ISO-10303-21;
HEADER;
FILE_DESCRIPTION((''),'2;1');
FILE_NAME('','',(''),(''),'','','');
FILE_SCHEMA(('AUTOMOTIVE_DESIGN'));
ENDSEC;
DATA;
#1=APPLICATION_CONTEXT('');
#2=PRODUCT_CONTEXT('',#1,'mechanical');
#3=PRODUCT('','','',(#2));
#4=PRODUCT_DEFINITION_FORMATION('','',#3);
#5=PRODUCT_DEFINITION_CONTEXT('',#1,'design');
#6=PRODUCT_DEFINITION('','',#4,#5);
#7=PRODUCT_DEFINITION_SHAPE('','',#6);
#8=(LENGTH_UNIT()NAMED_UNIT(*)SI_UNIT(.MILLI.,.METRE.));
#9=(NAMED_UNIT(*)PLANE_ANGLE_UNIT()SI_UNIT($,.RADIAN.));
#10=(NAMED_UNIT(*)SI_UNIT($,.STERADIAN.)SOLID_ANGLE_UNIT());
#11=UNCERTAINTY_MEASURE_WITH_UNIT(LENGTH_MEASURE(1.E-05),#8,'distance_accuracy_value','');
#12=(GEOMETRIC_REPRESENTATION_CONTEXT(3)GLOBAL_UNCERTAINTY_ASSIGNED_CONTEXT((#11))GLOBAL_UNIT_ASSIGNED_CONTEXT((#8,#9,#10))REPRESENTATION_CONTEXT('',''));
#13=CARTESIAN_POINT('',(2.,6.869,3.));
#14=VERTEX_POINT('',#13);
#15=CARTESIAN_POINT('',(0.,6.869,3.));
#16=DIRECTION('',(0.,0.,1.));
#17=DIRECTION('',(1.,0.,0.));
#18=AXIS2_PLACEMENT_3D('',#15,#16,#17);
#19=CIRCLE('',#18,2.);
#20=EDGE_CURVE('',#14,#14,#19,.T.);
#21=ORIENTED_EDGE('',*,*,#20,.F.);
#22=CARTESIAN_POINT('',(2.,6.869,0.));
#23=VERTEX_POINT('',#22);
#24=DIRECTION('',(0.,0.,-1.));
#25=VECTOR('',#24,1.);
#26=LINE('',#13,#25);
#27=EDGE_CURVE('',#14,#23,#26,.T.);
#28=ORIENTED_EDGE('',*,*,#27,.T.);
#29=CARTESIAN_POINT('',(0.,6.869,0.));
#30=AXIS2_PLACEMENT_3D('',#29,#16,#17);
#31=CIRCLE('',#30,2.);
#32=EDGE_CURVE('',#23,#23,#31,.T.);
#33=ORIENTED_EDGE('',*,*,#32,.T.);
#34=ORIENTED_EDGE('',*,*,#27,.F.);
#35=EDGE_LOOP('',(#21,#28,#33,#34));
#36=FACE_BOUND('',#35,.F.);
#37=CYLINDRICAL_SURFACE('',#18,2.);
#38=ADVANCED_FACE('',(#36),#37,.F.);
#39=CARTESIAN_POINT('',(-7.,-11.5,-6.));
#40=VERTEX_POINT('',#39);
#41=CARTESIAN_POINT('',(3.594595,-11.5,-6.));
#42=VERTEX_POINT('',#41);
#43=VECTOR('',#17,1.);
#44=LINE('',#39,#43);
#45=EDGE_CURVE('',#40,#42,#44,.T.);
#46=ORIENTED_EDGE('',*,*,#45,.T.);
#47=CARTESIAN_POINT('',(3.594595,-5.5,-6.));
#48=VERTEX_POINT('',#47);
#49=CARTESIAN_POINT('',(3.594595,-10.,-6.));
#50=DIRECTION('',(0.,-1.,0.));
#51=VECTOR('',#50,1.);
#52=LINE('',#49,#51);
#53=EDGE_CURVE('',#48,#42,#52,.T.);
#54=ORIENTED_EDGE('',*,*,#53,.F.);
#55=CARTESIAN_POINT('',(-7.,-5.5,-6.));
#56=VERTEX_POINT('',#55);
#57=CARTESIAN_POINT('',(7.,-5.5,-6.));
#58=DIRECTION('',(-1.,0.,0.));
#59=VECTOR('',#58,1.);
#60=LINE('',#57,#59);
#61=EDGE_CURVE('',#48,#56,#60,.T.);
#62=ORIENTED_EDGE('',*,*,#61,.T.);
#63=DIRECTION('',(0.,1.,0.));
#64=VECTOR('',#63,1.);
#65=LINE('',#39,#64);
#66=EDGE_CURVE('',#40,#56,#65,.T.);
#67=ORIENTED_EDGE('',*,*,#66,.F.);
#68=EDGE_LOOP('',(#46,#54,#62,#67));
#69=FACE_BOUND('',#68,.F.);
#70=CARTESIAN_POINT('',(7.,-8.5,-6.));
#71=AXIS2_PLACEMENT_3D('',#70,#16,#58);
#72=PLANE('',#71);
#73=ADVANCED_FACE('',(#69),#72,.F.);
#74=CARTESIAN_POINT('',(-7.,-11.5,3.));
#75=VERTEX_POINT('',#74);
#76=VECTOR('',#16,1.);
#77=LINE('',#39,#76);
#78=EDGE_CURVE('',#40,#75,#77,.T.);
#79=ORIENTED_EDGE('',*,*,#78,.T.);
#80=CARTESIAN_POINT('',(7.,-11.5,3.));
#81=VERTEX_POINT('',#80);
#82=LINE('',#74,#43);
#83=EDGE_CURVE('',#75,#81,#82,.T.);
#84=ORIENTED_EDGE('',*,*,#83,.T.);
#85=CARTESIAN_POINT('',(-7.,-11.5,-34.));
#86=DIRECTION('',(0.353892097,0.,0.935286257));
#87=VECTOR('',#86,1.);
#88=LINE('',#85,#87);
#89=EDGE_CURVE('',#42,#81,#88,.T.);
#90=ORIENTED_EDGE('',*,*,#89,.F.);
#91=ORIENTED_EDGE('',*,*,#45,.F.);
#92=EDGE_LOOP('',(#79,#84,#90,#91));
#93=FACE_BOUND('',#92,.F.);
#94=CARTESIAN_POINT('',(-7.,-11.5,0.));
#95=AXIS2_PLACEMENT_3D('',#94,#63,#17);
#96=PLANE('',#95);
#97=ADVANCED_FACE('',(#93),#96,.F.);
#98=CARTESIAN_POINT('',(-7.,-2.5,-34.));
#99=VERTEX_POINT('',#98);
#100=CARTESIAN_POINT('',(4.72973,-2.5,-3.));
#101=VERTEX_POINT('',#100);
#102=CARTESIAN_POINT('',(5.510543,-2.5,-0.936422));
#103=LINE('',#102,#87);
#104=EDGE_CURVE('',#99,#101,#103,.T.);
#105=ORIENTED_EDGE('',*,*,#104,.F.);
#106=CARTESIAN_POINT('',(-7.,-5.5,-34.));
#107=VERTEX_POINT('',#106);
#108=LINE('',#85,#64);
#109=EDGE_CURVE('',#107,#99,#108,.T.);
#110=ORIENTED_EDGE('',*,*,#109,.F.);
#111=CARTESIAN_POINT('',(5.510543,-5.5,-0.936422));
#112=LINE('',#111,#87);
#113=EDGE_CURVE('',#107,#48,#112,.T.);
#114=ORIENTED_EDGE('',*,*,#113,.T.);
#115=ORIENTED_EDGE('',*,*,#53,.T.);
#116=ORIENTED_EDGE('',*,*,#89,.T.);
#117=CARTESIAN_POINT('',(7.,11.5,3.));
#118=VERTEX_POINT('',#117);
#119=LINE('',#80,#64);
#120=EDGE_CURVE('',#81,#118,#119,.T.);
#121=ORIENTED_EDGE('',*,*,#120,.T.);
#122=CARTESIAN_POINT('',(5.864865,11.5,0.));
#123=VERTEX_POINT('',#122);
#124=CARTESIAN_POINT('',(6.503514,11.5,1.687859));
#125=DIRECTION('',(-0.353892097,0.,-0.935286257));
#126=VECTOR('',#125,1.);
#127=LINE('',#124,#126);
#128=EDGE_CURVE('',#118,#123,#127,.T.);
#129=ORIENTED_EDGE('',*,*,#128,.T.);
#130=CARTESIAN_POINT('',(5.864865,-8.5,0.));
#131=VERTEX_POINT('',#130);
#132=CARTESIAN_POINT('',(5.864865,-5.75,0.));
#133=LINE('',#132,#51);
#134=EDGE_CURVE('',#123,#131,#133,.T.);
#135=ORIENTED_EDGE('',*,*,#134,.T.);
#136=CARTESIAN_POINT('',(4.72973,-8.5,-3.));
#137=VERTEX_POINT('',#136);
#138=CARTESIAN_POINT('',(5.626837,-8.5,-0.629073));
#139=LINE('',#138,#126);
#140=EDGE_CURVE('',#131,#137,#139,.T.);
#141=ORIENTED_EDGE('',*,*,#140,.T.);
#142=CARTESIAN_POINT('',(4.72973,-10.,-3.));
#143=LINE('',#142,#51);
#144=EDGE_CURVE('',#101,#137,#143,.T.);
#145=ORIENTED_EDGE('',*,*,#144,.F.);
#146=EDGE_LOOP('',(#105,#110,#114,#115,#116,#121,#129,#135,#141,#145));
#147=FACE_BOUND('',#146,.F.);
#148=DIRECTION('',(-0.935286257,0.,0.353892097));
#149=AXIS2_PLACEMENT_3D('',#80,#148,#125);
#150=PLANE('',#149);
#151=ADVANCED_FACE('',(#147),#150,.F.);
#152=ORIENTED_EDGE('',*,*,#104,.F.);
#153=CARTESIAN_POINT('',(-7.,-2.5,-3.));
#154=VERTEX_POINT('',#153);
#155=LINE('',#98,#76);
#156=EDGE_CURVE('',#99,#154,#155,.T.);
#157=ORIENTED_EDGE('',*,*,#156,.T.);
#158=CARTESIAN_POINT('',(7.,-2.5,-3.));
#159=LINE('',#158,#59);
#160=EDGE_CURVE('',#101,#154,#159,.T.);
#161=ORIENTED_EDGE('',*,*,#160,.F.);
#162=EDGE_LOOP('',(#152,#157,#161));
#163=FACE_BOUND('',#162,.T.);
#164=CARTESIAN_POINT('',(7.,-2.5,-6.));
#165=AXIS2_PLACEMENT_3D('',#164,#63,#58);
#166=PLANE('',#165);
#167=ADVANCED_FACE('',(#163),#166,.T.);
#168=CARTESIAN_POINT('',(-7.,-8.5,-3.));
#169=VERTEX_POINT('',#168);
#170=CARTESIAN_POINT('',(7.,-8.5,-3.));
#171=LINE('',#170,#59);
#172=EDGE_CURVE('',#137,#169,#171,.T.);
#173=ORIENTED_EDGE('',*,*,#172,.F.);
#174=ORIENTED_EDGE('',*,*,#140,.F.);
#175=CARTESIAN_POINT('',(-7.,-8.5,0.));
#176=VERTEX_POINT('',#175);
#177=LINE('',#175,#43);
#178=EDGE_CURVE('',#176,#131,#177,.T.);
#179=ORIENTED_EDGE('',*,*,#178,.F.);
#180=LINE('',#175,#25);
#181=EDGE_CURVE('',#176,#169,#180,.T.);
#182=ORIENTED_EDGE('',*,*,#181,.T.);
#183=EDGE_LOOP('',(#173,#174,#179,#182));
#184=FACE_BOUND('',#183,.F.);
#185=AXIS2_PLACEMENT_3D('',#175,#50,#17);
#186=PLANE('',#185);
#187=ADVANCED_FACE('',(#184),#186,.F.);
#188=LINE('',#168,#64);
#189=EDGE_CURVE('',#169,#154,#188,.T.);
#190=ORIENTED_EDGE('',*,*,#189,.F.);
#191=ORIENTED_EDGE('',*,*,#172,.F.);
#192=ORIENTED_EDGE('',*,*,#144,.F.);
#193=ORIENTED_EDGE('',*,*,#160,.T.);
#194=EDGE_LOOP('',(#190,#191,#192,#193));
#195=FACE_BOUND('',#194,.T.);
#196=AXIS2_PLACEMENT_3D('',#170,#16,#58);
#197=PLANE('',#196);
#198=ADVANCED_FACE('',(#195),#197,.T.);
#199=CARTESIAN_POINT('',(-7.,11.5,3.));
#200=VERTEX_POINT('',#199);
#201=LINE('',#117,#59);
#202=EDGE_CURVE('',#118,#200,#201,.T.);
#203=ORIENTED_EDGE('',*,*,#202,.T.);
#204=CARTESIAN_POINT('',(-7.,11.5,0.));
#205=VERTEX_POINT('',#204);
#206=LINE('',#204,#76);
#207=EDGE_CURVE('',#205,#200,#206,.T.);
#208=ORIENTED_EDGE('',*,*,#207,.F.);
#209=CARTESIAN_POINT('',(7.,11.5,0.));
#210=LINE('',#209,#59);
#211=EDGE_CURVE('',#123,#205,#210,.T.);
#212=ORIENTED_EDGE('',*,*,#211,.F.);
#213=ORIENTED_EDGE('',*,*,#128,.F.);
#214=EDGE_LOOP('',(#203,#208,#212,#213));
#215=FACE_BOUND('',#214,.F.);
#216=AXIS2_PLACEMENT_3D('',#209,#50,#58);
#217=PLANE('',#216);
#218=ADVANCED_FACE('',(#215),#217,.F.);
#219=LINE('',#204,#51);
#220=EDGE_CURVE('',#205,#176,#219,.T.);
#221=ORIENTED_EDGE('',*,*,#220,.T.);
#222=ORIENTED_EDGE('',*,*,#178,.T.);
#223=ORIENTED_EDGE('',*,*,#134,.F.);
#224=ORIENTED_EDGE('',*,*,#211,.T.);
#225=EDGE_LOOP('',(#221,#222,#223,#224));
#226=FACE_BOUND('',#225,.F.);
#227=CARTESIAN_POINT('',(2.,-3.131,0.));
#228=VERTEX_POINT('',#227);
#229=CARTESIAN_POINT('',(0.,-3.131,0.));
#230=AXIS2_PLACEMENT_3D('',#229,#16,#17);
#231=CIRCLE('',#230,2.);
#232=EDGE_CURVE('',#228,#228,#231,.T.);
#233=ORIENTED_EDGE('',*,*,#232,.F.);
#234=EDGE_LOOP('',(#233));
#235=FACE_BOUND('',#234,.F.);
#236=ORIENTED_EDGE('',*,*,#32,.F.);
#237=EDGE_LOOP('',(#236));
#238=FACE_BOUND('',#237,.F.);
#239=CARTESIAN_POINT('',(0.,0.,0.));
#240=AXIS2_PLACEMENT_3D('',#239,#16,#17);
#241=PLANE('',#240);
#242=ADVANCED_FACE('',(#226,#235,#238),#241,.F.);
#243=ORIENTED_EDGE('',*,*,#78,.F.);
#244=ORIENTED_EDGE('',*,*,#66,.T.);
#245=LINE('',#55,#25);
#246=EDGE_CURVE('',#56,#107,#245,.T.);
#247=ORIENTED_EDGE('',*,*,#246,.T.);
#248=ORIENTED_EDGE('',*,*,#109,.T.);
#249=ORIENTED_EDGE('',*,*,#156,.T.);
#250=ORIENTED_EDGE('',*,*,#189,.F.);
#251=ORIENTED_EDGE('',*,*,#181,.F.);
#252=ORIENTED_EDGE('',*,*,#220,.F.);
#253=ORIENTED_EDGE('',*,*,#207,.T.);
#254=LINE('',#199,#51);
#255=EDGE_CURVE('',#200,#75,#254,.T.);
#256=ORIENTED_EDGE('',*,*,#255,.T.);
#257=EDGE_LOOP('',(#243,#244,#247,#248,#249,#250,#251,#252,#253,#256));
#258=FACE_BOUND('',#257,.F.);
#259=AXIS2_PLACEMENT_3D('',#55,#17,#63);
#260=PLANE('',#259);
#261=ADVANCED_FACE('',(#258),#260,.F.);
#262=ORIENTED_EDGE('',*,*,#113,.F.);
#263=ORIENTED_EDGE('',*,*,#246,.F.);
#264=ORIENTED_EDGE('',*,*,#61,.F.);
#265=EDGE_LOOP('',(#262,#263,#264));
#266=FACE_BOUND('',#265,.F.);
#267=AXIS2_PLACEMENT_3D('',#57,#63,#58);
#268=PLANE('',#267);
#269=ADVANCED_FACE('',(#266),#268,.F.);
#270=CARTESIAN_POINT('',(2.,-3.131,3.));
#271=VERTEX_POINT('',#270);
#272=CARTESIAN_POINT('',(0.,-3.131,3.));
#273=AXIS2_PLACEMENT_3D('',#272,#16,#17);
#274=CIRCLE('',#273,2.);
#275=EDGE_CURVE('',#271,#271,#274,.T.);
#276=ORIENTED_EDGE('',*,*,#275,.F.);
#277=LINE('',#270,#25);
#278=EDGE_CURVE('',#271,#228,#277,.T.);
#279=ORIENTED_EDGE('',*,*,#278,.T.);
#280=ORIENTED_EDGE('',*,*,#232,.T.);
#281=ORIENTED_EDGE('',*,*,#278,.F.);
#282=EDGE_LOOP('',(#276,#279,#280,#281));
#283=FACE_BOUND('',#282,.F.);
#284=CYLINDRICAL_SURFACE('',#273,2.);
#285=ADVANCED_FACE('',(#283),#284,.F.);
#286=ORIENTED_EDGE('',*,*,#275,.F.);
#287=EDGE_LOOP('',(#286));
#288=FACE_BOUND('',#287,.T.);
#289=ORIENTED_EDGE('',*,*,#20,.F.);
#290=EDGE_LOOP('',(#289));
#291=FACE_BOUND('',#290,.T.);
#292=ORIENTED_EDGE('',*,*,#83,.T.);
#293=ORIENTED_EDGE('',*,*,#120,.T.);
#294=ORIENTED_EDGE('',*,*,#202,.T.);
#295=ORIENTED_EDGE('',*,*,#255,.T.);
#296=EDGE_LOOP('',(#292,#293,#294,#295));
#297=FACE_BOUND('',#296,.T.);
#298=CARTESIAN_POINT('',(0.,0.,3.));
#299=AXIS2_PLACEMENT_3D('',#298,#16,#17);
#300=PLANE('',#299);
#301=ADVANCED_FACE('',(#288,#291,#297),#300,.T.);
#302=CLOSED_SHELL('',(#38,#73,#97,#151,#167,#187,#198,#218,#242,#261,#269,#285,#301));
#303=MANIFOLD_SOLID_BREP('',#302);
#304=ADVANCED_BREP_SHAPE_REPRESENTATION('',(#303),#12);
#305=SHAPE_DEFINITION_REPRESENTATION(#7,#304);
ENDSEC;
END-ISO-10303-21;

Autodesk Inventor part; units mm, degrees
ref_plane "YZ Plane" through (0, 0, 0) normal (1, 0, 0) x (0, 1, 0)
ref_plane "XZ Plane" through (0, 0, 0) normal (0, 1, 0) x (-1, 0, 0)
ref_plane "XY Plane" through (0, 0, 0) normal (0, 0, 1) x (1, 0, 0)
sketch "Эскиз1" plane through (0, 0, 0) normal (0, 0, 1) x (1, 0, 0)
  line L0 (-7, -11.5) -> (7, -11.5)
  line L1 (7, -11.5) -> (7, 11.5)
  line L2 (7, 11.5) -> (-7, 11.5)
  line L3 (-7, 11.5) -> (-7, -11.5)
  line L4 (-7, -11.5) -> (7, 11.5) construction
  line L5 (7, -11.5) -> (-7, 11.5) construction
  point P0 (0, 0)
  dimension "d0" = 14
  dimension "d1" = 23
extrude "Выдавливание1" add sketch "Эскиз1" along normal blind 3
sketch "Эскиз2" plane through (0, 0, 0) normal (0, 0, -1) x (-1, 0, 0)
  line L0 (7, -11.5) -> (-7, -11.5) projected
  line L1 (7, 11.5) -> (7, -11.5) projected
  line L2 (-7, 11.5) -> (7, 11.5) projected
  line L3 (-7, -11.5) -> (-7, 11.5) projected
  line L4 (7, -11.5) -> (7, -8.5)
  line L5 (7, 11.5) -> (7, -11.5) construction
  line L6 (7, -11.5) -> (-7, -11.5) projected
  line L7 (7, -8.5) -> (-7, -8.5)
  line L8 (-7, -8.5) -> (-7, -11.5)
  line L9 (-7, -11.5) -> (7, -11.5)
  line L10 (7, -11.5) -> (7, -8.5)
  point P0 (0, 0)
  dimension "d4" = 3
extrude "Выдавливание2" add sketch "Эскиз2" along normal blind 6 contours L0 L3 L7 L1
sketch "Эскиз3" plane through (-7, -8.5, 0) normal (0, 1, 0) x (1, 0, 0)
  line L0 (14, 6) -> (0, 6) projected
  line L1 (14, 0) -> (0, 0) projected
  line L2 (14, 0) -> (14, 6) projected
  line L3 (0, 6) -> (14, 6) projected
  line L4 (0, 0) -> (0, 6) projected
  line L5 (14, 6) -> (14, 3) construction
  line L6 (14, 0) -> (14, 6) construction
  line L7 (14, 3) -> (0, 3)
  line L8 (0, 3) -> (0, 6)
  line L9 (0, 6) -> (14, 6)
  line L10 (14, 6) -> (14, 3)
  point P0 (7, 0)
  dimension "d7" = 3
extrude "Выдавливание3" add sketch "Эскиз3" along normal blind 6 contours L2 L7 L4 L0
sketch "Эскиз4" plane through (0, 0, -6) normal (0, 0, -1) x (-1, 0, 0)
  line L0 (-7, -11.5) -> (7, -11.5) projected
  line L1 (7, -11.5) -> (7, -2.5) projected
  line L2 (-7, -2.5) -> (7, -2.5) projected
  line L3 (-7, -11.5) -> (-7, -2.5) projected
  line L4 (-7, -2.5) -> (7, -2.5) construction
  line L5 (-7, -2.5) -> (-7, -5.5) construction
  line L6 (-7, -5.5) -> (7, -5.5)
  line L7 (7, -5.5) -> (7, -2.5)
  line L8 (7, -2.5) -> (-7, -2.5)
  line L9 (-7, -2.5) -> (-7, -5.5)
  point P0 (0, 0)
  dimension "d10" = 3
extrude "Выдавливание4" add sketch "Эскиз4" along normal blind 28 contours L3 L2 L1 L6
sketch "Эскиз6" plane through (0, 0, 3) normal (0, 0, 1) x (1, 0, 0)
  line L0 (-7, -11.5) -> (7, -11.5) projected
  line L1 (7, -11.5) -> (7, 11.5) projected
  line L2 (7, 11.5) -> (-7, 11.5) projected
  line L3 (-7, 0) -> (7, 0) construction
  line L4 (7, -8.5) -> (7, 11.5) construction
  line L5 (7, 11.5) -> (-7, 11.5) construction
  line L6 (0, 11.5) -> (0, -11.5) construction
  line L7 (0, 0) -> (0, 11.5) construction
  line L8 (0, 5.75) -> (-7, 5.75) construction
  line L9 (-7, 10) -> (-7, -10) construction
  line L10 (0, 5.75) -> (7, 5.75) construction
  line L11 (0, -11.5) -> (0, 0) construction
  line L12 (0, -5.75) -> (7, -5.75) construction
  line L13 (-7, 11.5) -> (-7, -11.5) projected
  line L14 (0, -11.5) -> (0, -3.131) construction
  line L15 (0, -3.131) -> (0, 6.869) construction
  circle A0 centre (0, -3.131) radius 2
  circle A1 centre (0, 6.869) radius 2
  point P0 (-5.8649, 10)
  dimension "d21" = 8.369
  dimension "d22" = 10
  dimension "d23" = 4
  dimension "d24" = 4
extrude "Выдавливание6" cut sketch "Эскиз6" against normal up to next contours A0 | A1
sketch "Эскиз7" plane through (-7, -11.5, 3) normal (0, -1, 0) x (1, 0, 0)
  line L0 (14, -9) -> (14, 0) projected
  line L1 (0, 0) -> (14, 0) projected
  line L2 (0, 0) -> (0, -9) projected
  line L3 (14, -9) -> (0, -9) projected
  line L4 (0, -9) -> (14, -9) projected
  line L5 (0, -9) -> (0, -37) projected
  line L6 (14, -37) -> (0, -37) projected
  line L7 (14, -9) -> (14, -37) projected
  line L8 (0, 0) -> (14, 0) projected
  line L9 (0, -6) -> (0, -37) projected
  line L10 (14, 0) -> (0, -37)
  line L11 (0, -37) -> (14, -37)
  line L12 (14, -9) -> (14, 0) projected
  line L13 (14, 0) -> (14, -37)
  point P0 (7, -3)
extrude "Выдавливание7" cut sketch "Эскиз7" against normal blind 28 contours L3 L10 L0 | L7 L6 L10 L3
properties part number "Side control right"
